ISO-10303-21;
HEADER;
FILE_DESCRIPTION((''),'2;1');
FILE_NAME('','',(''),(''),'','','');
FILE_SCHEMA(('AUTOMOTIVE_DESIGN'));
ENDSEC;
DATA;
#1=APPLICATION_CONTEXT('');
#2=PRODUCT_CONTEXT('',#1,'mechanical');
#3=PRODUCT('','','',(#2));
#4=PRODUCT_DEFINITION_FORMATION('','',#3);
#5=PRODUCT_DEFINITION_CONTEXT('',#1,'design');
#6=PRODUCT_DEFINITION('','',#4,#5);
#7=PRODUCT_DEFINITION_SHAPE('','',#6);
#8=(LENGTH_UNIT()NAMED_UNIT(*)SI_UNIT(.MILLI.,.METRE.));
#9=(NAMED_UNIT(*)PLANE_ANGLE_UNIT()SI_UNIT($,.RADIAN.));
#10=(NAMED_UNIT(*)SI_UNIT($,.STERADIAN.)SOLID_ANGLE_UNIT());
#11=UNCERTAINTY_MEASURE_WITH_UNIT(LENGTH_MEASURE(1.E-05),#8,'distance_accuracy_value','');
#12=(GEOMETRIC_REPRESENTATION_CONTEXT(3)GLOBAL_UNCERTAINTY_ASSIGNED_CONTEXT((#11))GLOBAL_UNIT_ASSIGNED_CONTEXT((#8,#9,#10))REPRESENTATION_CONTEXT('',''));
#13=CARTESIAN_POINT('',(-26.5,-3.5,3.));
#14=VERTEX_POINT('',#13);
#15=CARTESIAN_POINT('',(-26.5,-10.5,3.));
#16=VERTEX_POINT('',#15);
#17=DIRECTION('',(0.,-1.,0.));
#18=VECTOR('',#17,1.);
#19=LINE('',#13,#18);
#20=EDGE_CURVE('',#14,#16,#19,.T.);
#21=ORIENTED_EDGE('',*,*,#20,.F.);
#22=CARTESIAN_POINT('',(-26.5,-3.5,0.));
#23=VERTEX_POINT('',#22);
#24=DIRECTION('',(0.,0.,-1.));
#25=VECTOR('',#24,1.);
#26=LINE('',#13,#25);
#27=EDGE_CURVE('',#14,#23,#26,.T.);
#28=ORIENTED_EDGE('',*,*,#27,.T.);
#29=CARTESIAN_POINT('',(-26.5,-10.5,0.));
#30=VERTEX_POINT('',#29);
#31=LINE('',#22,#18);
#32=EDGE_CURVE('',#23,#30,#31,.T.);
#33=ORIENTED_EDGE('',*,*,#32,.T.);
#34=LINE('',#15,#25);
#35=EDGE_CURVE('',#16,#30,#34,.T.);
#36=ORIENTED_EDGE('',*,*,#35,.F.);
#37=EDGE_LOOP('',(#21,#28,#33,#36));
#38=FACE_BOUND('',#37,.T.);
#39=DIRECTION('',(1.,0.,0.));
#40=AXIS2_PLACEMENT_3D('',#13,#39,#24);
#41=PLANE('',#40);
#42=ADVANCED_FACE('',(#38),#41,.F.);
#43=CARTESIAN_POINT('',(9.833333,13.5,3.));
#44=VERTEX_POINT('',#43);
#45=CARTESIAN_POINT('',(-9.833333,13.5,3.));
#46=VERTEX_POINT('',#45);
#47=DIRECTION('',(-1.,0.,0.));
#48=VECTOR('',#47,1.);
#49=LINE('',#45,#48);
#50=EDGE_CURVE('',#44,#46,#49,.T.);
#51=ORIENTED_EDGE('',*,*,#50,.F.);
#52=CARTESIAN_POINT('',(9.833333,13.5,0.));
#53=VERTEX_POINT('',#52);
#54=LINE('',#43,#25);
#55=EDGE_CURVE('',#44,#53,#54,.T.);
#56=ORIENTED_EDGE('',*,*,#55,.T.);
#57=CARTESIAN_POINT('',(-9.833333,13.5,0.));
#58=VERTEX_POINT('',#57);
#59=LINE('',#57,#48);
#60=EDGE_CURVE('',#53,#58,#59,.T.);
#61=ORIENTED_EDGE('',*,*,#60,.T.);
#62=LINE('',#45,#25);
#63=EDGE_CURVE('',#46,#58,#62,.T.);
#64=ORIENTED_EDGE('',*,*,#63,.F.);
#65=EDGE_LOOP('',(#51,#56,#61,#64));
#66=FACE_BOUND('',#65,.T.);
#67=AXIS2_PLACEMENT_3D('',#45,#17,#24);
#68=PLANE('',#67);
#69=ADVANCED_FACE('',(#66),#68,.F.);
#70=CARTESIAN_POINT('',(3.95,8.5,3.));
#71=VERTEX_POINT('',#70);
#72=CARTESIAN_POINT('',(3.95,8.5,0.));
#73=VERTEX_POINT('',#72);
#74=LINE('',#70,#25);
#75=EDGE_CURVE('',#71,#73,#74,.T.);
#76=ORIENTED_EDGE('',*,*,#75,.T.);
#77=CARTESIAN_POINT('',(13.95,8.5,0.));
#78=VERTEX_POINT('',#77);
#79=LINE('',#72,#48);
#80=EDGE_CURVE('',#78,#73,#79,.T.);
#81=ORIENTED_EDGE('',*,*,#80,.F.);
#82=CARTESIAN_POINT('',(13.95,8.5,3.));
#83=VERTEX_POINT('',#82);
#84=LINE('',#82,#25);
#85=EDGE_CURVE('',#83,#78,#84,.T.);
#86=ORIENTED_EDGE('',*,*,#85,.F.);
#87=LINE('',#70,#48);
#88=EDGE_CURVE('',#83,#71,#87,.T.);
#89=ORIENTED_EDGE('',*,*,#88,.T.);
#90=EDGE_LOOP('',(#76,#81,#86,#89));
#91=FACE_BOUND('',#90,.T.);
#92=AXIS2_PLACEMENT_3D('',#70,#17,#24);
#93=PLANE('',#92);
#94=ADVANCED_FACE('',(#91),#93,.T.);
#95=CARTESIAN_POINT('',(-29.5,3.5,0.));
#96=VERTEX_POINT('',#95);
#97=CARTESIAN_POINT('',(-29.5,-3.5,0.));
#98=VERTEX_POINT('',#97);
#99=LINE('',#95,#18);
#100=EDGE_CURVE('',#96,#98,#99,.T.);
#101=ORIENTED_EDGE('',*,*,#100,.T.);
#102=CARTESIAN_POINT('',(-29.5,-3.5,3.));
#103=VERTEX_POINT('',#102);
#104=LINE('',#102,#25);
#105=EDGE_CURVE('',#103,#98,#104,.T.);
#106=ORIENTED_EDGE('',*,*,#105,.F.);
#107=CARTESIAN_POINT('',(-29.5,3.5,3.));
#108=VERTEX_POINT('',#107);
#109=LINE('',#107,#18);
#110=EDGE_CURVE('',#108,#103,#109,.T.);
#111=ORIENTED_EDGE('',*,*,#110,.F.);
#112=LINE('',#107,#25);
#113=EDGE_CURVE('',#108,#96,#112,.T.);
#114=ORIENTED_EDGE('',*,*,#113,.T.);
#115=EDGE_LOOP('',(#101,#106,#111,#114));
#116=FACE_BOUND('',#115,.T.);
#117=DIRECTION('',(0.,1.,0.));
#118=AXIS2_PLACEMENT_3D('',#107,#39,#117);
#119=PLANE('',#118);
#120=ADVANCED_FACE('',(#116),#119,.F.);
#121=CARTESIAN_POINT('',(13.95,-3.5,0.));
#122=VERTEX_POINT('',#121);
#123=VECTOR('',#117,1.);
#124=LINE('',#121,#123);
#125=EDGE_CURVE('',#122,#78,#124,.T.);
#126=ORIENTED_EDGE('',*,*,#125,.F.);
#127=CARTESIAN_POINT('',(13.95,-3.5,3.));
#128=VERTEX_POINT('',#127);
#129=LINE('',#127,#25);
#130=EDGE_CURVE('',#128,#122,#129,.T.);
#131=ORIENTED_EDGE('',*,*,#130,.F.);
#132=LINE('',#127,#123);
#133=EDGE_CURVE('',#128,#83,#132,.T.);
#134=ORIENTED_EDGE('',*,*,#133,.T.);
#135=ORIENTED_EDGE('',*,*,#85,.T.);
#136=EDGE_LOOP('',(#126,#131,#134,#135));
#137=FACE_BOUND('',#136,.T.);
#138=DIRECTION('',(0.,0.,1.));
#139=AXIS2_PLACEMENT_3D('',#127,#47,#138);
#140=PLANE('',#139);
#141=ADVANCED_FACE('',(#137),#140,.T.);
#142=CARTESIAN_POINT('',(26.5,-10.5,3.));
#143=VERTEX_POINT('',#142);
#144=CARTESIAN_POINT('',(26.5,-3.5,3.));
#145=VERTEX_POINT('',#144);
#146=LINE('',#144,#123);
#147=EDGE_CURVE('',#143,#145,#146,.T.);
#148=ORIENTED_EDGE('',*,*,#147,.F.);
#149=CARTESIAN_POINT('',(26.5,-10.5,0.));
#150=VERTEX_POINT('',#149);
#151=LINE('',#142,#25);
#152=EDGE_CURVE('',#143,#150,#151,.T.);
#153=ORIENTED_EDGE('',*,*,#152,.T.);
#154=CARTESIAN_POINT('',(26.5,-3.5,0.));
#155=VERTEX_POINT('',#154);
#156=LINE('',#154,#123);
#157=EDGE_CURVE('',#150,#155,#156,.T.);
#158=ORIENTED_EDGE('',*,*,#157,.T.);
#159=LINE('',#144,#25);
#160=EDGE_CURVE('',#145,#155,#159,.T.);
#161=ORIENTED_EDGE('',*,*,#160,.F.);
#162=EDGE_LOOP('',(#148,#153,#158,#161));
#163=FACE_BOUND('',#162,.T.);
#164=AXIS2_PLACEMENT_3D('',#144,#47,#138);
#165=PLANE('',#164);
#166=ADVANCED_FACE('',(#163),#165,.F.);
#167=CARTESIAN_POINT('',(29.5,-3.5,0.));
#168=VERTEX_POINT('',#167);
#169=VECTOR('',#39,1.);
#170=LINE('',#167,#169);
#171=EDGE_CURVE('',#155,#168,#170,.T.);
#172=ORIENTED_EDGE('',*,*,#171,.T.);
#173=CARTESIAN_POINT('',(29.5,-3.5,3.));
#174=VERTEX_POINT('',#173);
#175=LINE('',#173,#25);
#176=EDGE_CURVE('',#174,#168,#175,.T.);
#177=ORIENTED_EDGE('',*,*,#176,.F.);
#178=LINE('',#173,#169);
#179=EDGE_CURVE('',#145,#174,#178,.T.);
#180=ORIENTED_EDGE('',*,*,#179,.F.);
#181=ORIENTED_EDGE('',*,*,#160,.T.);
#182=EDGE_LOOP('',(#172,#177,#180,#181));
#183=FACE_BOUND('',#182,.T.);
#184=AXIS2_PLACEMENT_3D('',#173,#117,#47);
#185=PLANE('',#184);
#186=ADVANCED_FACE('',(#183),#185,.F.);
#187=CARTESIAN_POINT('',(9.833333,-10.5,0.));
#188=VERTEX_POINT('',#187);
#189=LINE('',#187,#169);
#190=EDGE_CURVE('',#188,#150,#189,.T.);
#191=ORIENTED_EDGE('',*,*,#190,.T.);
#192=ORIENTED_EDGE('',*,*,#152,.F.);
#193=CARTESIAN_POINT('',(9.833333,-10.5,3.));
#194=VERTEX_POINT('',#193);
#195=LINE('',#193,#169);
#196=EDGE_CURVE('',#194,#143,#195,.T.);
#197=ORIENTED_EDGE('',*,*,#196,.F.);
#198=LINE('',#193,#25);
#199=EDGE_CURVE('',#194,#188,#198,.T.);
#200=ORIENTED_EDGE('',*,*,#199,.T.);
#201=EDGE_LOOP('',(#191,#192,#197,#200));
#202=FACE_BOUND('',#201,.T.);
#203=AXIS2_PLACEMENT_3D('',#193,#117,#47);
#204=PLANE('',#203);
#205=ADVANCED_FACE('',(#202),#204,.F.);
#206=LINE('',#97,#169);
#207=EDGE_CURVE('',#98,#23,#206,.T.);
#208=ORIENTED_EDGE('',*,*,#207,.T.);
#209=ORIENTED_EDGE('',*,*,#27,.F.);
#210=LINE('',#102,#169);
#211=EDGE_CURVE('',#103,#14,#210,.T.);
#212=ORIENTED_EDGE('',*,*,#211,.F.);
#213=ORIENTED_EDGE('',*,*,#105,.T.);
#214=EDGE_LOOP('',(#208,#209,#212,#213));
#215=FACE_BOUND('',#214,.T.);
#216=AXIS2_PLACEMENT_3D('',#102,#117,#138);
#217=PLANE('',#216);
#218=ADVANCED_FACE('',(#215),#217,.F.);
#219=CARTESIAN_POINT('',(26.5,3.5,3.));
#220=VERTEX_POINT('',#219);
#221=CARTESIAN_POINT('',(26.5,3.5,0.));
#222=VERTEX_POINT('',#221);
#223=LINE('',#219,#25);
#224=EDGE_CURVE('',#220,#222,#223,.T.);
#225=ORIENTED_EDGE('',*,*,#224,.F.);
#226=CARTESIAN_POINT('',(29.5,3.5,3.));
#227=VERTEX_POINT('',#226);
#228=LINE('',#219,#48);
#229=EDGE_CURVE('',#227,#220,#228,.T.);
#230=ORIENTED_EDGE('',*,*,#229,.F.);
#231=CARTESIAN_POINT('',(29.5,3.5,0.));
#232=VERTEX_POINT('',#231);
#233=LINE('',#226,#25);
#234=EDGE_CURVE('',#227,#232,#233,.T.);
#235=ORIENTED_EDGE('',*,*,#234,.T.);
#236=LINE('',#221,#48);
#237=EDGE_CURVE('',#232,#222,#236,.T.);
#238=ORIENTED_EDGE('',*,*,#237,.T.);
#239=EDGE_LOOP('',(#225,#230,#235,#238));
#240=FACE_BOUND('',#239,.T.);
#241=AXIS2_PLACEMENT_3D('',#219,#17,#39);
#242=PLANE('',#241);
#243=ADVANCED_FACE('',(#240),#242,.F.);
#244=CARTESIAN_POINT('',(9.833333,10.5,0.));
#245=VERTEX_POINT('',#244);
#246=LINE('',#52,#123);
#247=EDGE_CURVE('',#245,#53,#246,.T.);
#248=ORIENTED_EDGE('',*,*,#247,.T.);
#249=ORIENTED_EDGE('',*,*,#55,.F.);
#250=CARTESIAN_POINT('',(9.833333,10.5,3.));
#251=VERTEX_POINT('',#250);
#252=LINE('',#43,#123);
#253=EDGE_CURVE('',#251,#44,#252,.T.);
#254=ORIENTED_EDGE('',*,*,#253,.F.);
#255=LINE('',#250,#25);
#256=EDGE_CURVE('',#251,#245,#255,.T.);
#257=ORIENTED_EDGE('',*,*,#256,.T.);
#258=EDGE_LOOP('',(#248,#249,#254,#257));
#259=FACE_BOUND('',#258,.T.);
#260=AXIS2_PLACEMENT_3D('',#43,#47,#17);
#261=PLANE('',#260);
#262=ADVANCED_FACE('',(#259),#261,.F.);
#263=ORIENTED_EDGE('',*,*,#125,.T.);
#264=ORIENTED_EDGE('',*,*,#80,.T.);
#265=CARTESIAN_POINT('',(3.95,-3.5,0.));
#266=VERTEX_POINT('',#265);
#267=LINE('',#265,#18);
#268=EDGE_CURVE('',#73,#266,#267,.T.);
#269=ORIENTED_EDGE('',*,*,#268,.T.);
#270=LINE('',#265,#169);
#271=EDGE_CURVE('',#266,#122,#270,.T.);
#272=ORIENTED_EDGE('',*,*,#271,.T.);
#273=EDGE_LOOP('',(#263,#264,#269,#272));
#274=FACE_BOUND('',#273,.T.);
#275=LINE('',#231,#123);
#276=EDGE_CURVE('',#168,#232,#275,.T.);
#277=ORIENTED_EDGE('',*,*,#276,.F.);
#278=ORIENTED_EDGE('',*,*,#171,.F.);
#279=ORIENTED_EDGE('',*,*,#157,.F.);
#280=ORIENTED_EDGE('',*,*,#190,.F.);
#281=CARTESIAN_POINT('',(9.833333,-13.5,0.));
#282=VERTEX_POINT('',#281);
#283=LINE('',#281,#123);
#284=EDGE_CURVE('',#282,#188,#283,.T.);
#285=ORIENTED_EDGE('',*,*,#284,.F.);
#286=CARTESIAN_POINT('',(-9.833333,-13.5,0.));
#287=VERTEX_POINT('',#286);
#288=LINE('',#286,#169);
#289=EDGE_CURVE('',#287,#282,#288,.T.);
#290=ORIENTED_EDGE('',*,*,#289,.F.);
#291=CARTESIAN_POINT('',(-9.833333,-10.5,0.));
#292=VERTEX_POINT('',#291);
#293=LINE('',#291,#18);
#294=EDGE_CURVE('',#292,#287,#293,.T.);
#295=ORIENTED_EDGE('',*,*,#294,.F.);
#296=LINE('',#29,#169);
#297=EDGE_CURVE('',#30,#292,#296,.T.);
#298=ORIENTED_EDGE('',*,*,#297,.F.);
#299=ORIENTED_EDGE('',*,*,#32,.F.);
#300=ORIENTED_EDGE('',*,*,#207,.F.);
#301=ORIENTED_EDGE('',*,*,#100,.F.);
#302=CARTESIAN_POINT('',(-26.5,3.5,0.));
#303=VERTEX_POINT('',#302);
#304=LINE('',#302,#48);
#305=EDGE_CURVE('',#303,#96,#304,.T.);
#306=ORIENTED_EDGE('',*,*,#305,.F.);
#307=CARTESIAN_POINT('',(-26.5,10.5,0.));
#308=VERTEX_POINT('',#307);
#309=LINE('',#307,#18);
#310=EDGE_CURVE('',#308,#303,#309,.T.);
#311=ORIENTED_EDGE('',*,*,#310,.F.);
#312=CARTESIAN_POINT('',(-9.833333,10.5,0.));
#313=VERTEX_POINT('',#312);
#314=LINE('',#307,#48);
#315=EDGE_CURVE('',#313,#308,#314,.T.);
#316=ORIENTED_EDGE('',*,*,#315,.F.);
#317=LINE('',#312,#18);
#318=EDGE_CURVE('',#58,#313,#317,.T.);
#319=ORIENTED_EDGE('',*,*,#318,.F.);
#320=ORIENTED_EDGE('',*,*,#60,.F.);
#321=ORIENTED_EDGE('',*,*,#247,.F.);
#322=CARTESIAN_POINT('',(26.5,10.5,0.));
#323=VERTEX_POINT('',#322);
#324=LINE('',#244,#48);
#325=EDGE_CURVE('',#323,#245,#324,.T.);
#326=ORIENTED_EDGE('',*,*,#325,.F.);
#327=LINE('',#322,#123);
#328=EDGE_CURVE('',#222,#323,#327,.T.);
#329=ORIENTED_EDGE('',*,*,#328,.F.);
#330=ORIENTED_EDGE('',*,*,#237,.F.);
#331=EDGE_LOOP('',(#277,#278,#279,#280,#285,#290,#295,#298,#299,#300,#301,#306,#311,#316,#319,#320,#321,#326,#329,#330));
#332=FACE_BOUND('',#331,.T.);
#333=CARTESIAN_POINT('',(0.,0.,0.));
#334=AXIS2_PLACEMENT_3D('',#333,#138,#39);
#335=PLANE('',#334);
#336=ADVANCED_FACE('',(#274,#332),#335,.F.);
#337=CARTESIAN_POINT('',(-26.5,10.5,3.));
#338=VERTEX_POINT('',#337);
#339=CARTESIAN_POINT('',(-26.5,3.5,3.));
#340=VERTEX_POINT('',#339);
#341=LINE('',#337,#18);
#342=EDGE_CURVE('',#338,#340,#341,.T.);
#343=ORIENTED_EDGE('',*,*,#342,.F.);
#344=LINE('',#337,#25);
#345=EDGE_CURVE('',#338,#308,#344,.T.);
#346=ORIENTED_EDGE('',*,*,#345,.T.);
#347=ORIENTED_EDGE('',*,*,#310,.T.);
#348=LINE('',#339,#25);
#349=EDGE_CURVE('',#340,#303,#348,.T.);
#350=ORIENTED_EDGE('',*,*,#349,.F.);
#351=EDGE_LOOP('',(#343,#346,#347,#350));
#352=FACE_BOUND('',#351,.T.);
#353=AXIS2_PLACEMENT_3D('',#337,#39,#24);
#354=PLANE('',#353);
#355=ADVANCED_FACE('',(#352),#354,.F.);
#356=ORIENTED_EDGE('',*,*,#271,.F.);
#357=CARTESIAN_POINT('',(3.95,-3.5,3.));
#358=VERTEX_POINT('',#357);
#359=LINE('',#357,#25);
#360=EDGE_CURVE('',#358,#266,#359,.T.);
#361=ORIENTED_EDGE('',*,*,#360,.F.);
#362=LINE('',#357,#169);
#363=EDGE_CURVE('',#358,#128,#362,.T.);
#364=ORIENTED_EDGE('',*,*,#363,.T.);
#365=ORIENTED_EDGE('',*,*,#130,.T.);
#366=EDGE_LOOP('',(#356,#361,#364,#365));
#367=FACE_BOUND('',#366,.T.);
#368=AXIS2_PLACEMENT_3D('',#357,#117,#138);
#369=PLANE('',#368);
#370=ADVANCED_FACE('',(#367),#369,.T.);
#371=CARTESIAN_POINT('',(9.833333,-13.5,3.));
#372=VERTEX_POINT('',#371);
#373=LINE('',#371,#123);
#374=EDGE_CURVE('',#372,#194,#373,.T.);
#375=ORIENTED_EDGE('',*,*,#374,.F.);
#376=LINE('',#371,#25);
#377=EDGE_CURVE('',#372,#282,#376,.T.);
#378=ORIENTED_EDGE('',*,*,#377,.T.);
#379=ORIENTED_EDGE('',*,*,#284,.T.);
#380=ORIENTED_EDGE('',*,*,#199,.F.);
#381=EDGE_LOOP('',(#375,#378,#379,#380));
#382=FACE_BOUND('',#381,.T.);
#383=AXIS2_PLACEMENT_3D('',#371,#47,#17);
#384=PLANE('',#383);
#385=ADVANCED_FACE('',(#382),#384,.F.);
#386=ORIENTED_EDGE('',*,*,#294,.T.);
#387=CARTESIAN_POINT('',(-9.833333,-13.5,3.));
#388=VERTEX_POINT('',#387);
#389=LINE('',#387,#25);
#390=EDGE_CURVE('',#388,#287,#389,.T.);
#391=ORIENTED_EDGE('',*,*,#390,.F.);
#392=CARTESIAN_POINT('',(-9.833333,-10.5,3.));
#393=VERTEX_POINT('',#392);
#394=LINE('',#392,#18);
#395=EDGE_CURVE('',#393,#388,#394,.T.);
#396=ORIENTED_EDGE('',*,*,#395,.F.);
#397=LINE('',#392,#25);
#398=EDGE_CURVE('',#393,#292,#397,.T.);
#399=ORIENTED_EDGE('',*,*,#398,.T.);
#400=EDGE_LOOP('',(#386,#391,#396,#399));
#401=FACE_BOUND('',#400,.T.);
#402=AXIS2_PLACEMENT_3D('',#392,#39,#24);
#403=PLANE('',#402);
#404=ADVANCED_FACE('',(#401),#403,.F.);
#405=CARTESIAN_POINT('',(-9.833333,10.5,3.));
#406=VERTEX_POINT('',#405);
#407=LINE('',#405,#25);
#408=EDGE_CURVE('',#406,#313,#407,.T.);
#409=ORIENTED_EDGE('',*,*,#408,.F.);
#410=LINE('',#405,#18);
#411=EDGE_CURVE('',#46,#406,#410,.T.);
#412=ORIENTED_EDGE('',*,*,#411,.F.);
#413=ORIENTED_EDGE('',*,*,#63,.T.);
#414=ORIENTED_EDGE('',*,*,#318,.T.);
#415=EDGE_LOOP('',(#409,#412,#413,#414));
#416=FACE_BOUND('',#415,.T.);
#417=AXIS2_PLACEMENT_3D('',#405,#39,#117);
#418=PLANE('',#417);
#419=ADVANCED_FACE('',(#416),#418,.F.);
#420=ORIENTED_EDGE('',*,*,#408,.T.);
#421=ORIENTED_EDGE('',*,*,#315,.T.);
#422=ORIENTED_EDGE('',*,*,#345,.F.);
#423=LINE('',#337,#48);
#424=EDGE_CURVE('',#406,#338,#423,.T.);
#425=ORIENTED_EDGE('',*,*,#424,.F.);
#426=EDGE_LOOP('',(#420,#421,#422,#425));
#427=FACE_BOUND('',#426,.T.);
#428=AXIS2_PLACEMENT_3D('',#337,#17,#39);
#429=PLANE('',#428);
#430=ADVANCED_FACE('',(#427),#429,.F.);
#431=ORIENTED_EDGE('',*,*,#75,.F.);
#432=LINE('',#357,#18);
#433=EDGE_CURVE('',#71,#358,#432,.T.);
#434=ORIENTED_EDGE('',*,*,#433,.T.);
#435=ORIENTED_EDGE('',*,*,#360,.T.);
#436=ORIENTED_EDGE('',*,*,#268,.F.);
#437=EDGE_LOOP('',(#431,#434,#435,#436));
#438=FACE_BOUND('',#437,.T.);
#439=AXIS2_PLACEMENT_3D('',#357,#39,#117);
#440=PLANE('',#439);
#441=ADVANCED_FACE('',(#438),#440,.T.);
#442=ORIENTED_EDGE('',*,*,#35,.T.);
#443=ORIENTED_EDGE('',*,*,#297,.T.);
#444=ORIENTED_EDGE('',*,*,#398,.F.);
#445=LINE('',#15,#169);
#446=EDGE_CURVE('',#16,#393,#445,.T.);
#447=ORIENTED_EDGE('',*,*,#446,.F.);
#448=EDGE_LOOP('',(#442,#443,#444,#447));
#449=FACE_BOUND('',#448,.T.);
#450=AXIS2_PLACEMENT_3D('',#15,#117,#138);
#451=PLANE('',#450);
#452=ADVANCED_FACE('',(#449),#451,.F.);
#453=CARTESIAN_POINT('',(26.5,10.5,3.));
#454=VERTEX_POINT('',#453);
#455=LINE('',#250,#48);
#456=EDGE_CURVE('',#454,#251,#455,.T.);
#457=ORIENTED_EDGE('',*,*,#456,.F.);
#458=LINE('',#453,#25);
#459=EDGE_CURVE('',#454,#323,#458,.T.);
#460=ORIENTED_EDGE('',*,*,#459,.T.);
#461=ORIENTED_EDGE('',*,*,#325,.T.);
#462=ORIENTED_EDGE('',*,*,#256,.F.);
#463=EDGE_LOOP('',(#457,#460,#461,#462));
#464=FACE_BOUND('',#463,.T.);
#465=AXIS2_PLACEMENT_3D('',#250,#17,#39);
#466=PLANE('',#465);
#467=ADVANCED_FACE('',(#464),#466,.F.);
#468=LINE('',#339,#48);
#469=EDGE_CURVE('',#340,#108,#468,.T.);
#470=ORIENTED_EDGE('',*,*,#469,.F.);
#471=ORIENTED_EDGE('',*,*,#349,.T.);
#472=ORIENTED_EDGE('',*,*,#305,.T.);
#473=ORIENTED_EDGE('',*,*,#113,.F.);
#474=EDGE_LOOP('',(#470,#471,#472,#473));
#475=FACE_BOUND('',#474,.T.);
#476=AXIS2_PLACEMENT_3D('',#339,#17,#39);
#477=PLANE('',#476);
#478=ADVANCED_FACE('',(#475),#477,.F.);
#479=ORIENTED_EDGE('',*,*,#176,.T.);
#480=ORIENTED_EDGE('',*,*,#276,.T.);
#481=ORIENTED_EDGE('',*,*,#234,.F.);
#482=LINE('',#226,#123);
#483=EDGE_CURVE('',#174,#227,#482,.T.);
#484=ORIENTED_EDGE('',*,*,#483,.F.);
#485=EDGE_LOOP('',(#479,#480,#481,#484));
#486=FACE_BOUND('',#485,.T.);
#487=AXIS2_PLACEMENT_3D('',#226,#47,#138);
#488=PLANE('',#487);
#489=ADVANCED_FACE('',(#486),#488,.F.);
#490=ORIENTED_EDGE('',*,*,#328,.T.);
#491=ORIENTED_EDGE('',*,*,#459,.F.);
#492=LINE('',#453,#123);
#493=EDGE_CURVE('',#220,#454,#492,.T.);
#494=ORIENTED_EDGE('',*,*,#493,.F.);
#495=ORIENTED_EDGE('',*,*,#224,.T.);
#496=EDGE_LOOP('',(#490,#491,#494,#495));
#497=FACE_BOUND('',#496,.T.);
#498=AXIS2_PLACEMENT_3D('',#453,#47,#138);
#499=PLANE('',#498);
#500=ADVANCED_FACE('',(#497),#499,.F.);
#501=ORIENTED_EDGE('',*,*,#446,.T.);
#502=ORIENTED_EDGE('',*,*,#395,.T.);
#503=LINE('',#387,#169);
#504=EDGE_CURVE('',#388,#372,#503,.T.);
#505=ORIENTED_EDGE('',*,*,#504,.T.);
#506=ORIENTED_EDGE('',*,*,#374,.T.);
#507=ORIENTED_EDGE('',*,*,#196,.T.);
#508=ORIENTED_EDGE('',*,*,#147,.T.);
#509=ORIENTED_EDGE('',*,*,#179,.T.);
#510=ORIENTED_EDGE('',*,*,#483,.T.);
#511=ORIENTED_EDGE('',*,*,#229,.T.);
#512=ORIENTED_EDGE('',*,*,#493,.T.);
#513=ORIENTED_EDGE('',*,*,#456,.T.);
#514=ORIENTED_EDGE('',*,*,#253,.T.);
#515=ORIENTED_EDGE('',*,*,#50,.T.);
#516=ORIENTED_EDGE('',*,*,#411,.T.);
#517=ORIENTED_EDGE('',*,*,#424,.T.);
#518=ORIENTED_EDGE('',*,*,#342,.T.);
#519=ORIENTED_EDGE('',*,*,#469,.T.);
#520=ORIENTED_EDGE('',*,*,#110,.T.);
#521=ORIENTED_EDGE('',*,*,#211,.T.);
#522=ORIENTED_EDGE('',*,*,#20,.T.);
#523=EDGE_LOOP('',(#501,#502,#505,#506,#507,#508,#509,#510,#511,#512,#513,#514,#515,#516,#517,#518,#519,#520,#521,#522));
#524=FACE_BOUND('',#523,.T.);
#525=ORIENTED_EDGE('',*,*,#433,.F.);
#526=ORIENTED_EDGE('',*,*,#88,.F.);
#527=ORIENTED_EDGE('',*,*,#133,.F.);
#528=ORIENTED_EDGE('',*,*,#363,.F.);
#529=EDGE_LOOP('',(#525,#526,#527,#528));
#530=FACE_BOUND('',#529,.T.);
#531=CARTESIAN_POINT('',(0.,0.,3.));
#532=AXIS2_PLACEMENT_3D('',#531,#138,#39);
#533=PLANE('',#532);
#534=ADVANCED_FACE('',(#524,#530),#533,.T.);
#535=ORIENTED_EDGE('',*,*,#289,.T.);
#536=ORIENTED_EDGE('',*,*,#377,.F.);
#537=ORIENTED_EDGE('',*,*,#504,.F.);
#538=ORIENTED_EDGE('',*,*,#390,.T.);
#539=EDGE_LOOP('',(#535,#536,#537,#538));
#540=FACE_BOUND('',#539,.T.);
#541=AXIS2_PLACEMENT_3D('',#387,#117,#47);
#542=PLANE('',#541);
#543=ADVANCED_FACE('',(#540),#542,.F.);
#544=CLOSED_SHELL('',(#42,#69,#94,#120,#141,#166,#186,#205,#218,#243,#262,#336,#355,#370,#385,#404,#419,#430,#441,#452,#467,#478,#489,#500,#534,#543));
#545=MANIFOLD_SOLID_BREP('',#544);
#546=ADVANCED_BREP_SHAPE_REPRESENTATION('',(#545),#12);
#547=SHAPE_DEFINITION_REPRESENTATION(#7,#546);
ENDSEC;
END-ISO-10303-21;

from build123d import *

# Parameters (mm, degrees)
SKETCH1_W           = 10
SKETCH1_H           = 12
BOSS_EXTRUDE1_DEPTH = 3


with BuildPart() as part:
    # Sketch1 → Boss-Extrude1 (new body)
    with BuildSketch(Plane.XY):
        Polygon((-26.5, 10.5), (-26.5, 3.5), (-29.5, 3.5), (-29.5, -3.5), (-26.5, -3.5), (-26.5, -10.5), (-9.833333333, -10.5), (-9.833333333, -13.5), (9.833333333, -13.5), (9.833333333, -10.5), (26.5, -10.5), (26.5, -3.5), (29.5, -3.5), (29.5, 3.5), (26.5, 3.5), (26.5, 10.5), (9.833333333, 10.5), (9.833333333, 13.5), (-9.833333333, 13.5), (-9.833333333, 10.5), align=None)
        with Locations((8.95, 2.5)):
            Rectangle(SKETCH1_W, SKETCH1_H, mode=Mode.SUBTRACT)
    extrude(amount=BOSS_EXTRUDE1_DEPTH)


solid = part.part
